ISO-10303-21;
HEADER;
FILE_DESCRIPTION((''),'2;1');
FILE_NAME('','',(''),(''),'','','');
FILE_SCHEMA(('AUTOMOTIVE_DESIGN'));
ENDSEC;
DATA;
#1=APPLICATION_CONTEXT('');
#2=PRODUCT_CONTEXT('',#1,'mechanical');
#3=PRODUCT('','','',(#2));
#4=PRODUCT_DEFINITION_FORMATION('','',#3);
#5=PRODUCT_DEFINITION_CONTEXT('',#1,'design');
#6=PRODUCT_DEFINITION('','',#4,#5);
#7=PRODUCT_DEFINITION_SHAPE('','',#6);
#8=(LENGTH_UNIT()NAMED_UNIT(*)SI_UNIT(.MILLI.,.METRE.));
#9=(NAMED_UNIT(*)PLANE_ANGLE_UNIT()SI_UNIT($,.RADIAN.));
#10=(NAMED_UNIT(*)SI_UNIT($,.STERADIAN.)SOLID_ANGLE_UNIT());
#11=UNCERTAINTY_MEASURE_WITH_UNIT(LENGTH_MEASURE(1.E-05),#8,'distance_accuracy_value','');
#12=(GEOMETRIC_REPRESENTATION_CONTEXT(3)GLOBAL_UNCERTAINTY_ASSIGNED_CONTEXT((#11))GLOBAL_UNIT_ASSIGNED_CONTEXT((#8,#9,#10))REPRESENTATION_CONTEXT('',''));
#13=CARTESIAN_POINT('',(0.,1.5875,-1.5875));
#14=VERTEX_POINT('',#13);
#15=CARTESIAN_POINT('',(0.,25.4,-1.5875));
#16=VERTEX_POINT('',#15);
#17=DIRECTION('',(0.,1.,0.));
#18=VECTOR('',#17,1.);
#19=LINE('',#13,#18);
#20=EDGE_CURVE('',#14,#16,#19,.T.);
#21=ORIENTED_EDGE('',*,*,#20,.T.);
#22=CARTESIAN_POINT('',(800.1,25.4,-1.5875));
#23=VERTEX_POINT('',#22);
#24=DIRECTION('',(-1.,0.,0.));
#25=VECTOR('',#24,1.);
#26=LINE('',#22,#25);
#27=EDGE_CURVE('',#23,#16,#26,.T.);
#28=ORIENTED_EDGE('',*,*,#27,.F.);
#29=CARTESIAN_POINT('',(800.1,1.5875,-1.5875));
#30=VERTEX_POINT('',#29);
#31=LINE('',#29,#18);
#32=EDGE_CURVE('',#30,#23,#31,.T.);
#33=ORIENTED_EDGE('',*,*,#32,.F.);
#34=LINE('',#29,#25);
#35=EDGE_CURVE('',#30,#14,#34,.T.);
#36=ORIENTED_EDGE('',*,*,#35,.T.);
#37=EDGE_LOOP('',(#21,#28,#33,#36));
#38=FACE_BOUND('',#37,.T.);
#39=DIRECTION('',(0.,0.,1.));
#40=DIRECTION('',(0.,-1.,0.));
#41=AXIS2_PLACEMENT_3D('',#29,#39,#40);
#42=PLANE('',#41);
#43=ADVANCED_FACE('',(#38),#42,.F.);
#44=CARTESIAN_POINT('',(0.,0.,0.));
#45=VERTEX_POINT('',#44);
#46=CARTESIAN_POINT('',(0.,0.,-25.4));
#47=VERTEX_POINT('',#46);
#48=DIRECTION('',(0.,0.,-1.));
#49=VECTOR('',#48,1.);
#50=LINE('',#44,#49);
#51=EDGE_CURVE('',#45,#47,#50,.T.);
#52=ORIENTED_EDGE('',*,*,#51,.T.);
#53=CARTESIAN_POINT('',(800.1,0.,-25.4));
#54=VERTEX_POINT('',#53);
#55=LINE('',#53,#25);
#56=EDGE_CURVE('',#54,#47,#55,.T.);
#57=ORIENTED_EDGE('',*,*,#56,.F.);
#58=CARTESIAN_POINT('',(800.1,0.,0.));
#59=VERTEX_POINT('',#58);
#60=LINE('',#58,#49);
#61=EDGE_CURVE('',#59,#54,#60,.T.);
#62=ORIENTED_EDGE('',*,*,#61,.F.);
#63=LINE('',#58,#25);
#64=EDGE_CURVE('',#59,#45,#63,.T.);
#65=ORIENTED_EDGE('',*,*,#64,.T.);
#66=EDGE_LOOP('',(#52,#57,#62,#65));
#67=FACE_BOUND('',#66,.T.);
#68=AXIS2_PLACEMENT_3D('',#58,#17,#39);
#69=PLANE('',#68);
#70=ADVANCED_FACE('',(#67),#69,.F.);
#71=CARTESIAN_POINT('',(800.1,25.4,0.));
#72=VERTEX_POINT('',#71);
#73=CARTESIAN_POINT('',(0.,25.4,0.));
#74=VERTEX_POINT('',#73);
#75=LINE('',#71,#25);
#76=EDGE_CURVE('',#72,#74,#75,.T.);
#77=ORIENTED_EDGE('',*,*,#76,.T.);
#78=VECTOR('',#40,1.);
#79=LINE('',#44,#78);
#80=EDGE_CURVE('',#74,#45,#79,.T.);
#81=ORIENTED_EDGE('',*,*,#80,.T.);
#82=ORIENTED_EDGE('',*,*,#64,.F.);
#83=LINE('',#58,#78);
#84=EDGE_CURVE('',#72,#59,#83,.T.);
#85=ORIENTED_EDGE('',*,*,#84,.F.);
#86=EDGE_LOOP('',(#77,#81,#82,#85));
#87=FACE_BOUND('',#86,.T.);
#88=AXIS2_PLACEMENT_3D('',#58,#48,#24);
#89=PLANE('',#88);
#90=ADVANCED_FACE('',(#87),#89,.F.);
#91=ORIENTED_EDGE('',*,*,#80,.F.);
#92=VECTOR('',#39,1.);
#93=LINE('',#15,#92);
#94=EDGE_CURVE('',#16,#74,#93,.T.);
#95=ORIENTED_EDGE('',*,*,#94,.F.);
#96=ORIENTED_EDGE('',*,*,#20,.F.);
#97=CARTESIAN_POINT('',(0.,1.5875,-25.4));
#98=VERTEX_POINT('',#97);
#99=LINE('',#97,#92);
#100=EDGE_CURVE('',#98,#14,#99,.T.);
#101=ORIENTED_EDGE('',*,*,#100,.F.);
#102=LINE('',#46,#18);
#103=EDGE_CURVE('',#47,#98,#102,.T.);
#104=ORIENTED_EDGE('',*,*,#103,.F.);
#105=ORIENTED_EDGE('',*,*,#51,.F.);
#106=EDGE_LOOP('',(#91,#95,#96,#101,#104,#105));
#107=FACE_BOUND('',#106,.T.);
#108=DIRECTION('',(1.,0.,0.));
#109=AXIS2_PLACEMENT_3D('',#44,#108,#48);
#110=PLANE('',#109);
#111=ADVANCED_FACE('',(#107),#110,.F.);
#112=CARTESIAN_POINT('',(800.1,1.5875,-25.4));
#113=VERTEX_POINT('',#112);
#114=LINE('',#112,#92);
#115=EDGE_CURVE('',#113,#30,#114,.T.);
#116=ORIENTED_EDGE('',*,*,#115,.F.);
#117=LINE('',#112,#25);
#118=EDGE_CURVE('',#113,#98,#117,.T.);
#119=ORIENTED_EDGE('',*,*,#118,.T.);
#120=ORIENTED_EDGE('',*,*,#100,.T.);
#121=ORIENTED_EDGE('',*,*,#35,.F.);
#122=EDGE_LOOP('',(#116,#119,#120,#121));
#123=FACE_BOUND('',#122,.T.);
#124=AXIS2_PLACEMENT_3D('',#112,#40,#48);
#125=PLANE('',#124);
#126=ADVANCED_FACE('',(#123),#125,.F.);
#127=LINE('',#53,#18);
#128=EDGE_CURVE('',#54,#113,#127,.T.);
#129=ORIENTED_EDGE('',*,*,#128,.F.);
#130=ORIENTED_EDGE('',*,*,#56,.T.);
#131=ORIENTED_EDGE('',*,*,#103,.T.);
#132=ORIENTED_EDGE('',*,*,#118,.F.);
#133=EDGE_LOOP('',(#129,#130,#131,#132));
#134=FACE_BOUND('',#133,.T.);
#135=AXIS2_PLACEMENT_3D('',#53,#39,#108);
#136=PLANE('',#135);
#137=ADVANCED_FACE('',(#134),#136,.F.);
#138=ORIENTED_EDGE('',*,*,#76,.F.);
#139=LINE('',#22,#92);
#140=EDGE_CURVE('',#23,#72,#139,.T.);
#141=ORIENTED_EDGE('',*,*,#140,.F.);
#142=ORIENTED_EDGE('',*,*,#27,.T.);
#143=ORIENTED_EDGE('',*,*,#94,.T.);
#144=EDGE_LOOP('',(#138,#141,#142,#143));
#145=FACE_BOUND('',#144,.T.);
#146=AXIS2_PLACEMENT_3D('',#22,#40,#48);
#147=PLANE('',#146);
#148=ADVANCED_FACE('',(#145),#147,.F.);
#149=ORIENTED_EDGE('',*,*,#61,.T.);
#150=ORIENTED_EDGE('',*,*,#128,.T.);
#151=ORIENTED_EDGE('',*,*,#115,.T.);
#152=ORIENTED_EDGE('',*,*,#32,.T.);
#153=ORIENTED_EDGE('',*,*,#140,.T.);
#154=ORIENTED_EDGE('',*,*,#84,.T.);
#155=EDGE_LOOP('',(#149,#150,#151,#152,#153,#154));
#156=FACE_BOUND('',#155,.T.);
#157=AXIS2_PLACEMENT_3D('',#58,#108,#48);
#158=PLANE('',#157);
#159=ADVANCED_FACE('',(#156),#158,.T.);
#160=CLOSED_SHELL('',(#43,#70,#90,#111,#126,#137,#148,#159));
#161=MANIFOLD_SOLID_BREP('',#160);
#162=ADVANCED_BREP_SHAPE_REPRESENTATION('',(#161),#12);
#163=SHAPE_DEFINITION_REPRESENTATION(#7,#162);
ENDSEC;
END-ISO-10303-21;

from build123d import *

# Parameters (mm, degrees)
BOSS_EXTRUDE1_DEPTH = 800.1


with BuildPart() as part:
    # Sketch4 → Boss-Extrude1 (new body)
    with BuildSketch(Plane(origin=(0, 0, 0), x_dir=(0, 0, -1), z_dir=(1, 0, 0))):
        Polygon((0, 0), (0, 25.4), (1.5875, 25.4), (1.5875, 1.5875), (25.4, 1.5875), (25.4, 0), align=None)
    extrude(amount=BOSS_EXTRUDE1_DEPTH)


solid = part.part
